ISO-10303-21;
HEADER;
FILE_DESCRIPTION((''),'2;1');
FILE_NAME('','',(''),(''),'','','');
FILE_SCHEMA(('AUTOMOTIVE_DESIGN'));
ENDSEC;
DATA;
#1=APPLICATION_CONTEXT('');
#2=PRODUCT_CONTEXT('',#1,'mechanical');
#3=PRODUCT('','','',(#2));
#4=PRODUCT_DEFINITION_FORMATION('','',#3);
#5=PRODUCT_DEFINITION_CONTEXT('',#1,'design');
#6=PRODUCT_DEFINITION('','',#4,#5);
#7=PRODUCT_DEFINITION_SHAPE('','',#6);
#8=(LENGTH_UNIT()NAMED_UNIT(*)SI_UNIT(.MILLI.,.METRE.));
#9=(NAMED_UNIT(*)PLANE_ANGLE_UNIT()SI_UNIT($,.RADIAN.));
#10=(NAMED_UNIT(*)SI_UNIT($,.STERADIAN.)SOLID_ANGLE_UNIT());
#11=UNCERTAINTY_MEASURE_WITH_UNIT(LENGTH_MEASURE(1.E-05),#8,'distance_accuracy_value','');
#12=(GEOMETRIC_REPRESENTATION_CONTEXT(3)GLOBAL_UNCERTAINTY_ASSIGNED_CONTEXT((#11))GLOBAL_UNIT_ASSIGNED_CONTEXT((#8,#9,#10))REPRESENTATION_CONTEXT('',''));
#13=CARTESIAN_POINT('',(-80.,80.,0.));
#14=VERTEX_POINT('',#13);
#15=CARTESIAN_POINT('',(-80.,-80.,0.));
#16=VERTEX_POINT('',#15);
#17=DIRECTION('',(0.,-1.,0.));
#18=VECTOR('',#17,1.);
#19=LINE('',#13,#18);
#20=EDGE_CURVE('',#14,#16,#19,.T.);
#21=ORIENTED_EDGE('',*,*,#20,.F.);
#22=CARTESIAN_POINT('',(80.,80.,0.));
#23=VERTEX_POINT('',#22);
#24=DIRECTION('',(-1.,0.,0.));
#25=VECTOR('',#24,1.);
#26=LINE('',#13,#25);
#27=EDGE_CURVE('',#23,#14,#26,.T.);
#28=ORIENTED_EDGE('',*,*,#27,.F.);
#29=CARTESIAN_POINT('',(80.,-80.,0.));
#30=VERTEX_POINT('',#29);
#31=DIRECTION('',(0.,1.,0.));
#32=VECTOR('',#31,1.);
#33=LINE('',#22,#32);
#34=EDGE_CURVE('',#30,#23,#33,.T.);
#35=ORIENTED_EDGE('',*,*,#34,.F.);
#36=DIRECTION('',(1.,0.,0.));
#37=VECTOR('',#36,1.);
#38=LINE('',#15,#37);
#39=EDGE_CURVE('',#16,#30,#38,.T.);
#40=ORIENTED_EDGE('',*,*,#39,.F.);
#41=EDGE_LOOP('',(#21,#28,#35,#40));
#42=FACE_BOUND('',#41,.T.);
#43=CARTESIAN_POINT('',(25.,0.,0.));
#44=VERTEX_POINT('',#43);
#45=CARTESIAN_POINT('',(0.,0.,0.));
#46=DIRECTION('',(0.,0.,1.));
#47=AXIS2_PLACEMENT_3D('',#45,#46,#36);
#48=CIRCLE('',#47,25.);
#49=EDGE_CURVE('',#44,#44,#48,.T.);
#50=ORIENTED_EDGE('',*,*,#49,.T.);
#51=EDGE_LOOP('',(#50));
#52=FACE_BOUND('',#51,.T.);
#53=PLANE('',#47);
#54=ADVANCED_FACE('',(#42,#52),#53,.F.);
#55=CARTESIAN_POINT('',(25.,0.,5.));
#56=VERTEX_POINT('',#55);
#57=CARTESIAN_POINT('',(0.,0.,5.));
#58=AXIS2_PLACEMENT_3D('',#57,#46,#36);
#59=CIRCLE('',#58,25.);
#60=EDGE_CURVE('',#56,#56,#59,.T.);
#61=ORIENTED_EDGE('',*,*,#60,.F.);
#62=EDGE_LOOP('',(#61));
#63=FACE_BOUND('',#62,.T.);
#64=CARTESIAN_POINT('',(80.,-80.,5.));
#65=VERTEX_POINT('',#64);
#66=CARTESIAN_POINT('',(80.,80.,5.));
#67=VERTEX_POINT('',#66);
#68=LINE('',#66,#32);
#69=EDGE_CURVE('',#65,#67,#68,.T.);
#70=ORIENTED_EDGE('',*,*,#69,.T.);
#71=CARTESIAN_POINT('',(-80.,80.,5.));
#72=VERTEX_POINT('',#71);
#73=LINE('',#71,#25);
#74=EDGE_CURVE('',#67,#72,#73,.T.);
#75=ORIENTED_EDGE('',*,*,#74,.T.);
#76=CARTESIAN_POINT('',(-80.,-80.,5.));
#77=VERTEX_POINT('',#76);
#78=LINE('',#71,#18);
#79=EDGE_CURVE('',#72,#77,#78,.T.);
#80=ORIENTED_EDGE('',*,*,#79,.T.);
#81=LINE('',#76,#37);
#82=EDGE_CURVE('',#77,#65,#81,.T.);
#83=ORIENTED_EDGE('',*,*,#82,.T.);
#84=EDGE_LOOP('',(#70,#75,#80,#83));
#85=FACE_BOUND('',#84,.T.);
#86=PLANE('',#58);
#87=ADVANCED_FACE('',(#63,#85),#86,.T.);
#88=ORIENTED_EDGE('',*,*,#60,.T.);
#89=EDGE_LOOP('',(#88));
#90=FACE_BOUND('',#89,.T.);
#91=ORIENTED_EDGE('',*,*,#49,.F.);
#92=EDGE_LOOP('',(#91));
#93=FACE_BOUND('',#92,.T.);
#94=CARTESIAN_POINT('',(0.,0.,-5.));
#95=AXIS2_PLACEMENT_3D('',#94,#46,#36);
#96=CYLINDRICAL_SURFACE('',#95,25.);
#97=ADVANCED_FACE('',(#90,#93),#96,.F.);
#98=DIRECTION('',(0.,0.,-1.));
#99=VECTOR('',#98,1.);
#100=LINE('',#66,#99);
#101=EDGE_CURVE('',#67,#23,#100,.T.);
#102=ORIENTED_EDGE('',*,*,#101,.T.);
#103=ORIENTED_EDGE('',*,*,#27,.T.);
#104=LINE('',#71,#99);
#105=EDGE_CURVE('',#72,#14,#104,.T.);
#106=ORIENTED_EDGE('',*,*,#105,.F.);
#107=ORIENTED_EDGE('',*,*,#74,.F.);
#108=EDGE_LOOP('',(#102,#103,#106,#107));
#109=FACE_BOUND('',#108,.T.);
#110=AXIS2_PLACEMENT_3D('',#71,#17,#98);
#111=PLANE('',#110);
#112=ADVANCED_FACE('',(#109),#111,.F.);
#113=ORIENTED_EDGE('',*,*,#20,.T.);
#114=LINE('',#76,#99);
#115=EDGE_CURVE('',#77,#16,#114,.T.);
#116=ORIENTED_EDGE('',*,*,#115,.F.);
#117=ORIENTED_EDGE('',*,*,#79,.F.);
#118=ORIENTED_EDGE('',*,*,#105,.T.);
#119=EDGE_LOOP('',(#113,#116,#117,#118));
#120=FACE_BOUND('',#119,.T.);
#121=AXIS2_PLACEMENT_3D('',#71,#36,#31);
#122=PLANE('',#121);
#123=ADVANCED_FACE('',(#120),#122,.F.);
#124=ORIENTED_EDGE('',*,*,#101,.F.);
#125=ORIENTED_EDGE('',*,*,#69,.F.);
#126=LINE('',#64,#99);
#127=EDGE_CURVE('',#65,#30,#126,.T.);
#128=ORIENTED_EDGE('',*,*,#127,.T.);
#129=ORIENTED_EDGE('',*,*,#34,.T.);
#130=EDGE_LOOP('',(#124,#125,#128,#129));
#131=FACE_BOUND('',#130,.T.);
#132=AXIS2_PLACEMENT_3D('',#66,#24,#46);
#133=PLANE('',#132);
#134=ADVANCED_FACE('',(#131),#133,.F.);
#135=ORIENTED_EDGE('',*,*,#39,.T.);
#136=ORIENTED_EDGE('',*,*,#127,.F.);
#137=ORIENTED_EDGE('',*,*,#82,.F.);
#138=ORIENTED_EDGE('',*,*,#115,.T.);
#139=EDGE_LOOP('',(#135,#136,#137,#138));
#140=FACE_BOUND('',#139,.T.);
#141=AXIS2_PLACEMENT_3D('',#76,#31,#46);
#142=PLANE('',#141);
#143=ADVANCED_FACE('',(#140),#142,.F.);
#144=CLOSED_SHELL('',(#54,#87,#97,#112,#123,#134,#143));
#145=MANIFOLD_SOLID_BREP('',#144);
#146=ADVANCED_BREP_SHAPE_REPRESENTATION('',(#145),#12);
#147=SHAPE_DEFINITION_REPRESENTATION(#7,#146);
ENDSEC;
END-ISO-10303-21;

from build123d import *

# Parameters (mm, degrees)
CROQUIS1_W              = 160
CROQUIS1_H              = 160
SALIENTE_EXTRUIR1_DEPTH = 5
CROQUIS2_R              = 25
CORTAR_EXTRUIR1_DEPTH   = 10


with BuildPart() as part:
    # Croquis1 → Saliente-Extruir1 (new body)
    with BuildSketch(Plane.XY):
        Rectangle(CROQUIS1_W, CROQUIS1_H)
    extrude(amount=SALIENTE_EXTRUIR1_DEPTH)

    # Croquis2 → Cortar-Extruir1 (cut)
    with BuildSketch(Plane.XY.offset(5)):
        Circle(CROQUIS2_R)
    extrude(amount=-CORTAR_EXTRUIR1_DEPTH, mode=Mode.SUBTRACT)


solid = part.part
